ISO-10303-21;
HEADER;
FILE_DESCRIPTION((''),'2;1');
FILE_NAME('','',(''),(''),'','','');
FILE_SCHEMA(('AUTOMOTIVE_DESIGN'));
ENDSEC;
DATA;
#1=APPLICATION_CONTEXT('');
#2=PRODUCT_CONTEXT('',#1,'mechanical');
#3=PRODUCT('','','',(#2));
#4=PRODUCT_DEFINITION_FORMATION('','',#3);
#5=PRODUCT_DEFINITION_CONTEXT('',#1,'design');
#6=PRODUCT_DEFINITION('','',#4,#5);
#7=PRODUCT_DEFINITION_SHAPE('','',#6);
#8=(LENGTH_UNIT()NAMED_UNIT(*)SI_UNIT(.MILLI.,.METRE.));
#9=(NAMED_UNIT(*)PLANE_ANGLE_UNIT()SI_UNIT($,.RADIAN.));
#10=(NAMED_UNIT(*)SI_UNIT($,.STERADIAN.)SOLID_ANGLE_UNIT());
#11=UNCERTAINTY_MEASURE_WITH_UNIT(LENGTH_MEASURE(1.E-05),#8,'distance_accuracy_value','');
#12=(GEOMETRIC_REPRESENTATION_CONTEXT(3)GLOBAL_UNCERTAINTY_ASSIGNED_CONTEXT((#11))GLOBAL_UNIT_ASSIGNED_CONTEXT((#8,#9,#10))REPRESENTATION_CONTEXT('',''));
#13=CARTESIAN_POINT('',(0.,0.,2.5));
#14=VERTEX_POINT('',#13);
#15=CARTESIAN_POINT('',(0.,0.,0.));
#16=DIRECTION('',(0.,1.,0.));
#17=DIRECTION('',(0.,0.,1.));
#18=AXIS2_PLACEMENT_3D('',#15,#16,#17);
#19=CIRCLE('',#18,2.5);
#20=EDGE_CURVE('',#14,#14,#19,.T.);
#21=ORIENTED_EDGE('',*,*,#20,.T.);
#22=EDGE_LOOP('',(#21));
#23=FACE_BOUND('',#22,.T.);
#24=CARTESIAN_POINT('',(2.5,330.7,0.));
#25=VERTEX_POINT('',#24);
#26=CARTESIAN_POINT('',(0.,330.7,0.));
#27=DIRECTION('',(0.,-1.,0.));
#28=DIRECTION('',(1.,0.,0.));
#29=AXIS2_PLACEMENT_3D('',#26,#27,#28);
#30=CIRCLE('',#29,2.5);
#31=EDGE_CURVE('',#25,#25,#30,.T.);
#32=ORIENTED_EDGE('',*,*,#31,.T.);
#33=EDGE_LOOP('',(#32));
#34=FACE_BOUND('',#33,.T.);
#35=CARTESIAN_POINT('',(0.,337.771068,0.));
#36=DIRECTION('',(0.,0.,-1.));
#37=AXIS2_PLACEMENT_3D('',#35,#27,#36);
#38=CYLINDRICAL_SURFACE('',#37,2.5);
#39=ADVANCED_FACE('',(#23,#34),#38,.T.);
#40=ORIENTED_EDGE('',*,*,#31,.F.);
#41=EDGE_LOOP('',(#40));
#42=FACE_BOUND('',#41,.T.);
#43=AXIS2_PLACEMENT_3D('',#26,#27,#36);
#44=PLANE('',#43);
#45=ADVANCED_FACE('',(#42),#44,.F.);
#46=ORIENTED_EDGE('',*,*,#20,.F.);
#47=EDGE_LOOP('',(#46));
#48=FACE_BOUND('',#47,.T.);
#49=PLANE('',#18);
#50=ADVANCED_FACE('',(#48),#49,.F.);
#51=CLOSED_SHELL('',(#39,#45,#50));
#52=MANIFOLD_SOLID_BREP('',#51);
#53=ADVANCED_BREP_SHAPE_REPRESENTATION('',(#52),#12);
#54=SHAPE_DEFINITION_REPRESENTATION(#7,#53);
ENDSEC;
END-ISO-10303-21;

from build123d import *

# Parameters (mm, degrees)
ESQUISSE1_R        = 2.5
BOSS_EXTRU_1_DEPTH = 330.7


with BuildPart() as part:
    # Esquisse1 → Boss.-Extru.1 (new body)
    with BuildSketch(Plane(origin=(0, 0, 0), x_dir=(1, 0, 0), z_dir=(0, 1, 0))):
        Circle(ESQUISSE1_R)
    extrude(amount=BOSS_EXTRU_1_DEPTH)


solid = part.part
